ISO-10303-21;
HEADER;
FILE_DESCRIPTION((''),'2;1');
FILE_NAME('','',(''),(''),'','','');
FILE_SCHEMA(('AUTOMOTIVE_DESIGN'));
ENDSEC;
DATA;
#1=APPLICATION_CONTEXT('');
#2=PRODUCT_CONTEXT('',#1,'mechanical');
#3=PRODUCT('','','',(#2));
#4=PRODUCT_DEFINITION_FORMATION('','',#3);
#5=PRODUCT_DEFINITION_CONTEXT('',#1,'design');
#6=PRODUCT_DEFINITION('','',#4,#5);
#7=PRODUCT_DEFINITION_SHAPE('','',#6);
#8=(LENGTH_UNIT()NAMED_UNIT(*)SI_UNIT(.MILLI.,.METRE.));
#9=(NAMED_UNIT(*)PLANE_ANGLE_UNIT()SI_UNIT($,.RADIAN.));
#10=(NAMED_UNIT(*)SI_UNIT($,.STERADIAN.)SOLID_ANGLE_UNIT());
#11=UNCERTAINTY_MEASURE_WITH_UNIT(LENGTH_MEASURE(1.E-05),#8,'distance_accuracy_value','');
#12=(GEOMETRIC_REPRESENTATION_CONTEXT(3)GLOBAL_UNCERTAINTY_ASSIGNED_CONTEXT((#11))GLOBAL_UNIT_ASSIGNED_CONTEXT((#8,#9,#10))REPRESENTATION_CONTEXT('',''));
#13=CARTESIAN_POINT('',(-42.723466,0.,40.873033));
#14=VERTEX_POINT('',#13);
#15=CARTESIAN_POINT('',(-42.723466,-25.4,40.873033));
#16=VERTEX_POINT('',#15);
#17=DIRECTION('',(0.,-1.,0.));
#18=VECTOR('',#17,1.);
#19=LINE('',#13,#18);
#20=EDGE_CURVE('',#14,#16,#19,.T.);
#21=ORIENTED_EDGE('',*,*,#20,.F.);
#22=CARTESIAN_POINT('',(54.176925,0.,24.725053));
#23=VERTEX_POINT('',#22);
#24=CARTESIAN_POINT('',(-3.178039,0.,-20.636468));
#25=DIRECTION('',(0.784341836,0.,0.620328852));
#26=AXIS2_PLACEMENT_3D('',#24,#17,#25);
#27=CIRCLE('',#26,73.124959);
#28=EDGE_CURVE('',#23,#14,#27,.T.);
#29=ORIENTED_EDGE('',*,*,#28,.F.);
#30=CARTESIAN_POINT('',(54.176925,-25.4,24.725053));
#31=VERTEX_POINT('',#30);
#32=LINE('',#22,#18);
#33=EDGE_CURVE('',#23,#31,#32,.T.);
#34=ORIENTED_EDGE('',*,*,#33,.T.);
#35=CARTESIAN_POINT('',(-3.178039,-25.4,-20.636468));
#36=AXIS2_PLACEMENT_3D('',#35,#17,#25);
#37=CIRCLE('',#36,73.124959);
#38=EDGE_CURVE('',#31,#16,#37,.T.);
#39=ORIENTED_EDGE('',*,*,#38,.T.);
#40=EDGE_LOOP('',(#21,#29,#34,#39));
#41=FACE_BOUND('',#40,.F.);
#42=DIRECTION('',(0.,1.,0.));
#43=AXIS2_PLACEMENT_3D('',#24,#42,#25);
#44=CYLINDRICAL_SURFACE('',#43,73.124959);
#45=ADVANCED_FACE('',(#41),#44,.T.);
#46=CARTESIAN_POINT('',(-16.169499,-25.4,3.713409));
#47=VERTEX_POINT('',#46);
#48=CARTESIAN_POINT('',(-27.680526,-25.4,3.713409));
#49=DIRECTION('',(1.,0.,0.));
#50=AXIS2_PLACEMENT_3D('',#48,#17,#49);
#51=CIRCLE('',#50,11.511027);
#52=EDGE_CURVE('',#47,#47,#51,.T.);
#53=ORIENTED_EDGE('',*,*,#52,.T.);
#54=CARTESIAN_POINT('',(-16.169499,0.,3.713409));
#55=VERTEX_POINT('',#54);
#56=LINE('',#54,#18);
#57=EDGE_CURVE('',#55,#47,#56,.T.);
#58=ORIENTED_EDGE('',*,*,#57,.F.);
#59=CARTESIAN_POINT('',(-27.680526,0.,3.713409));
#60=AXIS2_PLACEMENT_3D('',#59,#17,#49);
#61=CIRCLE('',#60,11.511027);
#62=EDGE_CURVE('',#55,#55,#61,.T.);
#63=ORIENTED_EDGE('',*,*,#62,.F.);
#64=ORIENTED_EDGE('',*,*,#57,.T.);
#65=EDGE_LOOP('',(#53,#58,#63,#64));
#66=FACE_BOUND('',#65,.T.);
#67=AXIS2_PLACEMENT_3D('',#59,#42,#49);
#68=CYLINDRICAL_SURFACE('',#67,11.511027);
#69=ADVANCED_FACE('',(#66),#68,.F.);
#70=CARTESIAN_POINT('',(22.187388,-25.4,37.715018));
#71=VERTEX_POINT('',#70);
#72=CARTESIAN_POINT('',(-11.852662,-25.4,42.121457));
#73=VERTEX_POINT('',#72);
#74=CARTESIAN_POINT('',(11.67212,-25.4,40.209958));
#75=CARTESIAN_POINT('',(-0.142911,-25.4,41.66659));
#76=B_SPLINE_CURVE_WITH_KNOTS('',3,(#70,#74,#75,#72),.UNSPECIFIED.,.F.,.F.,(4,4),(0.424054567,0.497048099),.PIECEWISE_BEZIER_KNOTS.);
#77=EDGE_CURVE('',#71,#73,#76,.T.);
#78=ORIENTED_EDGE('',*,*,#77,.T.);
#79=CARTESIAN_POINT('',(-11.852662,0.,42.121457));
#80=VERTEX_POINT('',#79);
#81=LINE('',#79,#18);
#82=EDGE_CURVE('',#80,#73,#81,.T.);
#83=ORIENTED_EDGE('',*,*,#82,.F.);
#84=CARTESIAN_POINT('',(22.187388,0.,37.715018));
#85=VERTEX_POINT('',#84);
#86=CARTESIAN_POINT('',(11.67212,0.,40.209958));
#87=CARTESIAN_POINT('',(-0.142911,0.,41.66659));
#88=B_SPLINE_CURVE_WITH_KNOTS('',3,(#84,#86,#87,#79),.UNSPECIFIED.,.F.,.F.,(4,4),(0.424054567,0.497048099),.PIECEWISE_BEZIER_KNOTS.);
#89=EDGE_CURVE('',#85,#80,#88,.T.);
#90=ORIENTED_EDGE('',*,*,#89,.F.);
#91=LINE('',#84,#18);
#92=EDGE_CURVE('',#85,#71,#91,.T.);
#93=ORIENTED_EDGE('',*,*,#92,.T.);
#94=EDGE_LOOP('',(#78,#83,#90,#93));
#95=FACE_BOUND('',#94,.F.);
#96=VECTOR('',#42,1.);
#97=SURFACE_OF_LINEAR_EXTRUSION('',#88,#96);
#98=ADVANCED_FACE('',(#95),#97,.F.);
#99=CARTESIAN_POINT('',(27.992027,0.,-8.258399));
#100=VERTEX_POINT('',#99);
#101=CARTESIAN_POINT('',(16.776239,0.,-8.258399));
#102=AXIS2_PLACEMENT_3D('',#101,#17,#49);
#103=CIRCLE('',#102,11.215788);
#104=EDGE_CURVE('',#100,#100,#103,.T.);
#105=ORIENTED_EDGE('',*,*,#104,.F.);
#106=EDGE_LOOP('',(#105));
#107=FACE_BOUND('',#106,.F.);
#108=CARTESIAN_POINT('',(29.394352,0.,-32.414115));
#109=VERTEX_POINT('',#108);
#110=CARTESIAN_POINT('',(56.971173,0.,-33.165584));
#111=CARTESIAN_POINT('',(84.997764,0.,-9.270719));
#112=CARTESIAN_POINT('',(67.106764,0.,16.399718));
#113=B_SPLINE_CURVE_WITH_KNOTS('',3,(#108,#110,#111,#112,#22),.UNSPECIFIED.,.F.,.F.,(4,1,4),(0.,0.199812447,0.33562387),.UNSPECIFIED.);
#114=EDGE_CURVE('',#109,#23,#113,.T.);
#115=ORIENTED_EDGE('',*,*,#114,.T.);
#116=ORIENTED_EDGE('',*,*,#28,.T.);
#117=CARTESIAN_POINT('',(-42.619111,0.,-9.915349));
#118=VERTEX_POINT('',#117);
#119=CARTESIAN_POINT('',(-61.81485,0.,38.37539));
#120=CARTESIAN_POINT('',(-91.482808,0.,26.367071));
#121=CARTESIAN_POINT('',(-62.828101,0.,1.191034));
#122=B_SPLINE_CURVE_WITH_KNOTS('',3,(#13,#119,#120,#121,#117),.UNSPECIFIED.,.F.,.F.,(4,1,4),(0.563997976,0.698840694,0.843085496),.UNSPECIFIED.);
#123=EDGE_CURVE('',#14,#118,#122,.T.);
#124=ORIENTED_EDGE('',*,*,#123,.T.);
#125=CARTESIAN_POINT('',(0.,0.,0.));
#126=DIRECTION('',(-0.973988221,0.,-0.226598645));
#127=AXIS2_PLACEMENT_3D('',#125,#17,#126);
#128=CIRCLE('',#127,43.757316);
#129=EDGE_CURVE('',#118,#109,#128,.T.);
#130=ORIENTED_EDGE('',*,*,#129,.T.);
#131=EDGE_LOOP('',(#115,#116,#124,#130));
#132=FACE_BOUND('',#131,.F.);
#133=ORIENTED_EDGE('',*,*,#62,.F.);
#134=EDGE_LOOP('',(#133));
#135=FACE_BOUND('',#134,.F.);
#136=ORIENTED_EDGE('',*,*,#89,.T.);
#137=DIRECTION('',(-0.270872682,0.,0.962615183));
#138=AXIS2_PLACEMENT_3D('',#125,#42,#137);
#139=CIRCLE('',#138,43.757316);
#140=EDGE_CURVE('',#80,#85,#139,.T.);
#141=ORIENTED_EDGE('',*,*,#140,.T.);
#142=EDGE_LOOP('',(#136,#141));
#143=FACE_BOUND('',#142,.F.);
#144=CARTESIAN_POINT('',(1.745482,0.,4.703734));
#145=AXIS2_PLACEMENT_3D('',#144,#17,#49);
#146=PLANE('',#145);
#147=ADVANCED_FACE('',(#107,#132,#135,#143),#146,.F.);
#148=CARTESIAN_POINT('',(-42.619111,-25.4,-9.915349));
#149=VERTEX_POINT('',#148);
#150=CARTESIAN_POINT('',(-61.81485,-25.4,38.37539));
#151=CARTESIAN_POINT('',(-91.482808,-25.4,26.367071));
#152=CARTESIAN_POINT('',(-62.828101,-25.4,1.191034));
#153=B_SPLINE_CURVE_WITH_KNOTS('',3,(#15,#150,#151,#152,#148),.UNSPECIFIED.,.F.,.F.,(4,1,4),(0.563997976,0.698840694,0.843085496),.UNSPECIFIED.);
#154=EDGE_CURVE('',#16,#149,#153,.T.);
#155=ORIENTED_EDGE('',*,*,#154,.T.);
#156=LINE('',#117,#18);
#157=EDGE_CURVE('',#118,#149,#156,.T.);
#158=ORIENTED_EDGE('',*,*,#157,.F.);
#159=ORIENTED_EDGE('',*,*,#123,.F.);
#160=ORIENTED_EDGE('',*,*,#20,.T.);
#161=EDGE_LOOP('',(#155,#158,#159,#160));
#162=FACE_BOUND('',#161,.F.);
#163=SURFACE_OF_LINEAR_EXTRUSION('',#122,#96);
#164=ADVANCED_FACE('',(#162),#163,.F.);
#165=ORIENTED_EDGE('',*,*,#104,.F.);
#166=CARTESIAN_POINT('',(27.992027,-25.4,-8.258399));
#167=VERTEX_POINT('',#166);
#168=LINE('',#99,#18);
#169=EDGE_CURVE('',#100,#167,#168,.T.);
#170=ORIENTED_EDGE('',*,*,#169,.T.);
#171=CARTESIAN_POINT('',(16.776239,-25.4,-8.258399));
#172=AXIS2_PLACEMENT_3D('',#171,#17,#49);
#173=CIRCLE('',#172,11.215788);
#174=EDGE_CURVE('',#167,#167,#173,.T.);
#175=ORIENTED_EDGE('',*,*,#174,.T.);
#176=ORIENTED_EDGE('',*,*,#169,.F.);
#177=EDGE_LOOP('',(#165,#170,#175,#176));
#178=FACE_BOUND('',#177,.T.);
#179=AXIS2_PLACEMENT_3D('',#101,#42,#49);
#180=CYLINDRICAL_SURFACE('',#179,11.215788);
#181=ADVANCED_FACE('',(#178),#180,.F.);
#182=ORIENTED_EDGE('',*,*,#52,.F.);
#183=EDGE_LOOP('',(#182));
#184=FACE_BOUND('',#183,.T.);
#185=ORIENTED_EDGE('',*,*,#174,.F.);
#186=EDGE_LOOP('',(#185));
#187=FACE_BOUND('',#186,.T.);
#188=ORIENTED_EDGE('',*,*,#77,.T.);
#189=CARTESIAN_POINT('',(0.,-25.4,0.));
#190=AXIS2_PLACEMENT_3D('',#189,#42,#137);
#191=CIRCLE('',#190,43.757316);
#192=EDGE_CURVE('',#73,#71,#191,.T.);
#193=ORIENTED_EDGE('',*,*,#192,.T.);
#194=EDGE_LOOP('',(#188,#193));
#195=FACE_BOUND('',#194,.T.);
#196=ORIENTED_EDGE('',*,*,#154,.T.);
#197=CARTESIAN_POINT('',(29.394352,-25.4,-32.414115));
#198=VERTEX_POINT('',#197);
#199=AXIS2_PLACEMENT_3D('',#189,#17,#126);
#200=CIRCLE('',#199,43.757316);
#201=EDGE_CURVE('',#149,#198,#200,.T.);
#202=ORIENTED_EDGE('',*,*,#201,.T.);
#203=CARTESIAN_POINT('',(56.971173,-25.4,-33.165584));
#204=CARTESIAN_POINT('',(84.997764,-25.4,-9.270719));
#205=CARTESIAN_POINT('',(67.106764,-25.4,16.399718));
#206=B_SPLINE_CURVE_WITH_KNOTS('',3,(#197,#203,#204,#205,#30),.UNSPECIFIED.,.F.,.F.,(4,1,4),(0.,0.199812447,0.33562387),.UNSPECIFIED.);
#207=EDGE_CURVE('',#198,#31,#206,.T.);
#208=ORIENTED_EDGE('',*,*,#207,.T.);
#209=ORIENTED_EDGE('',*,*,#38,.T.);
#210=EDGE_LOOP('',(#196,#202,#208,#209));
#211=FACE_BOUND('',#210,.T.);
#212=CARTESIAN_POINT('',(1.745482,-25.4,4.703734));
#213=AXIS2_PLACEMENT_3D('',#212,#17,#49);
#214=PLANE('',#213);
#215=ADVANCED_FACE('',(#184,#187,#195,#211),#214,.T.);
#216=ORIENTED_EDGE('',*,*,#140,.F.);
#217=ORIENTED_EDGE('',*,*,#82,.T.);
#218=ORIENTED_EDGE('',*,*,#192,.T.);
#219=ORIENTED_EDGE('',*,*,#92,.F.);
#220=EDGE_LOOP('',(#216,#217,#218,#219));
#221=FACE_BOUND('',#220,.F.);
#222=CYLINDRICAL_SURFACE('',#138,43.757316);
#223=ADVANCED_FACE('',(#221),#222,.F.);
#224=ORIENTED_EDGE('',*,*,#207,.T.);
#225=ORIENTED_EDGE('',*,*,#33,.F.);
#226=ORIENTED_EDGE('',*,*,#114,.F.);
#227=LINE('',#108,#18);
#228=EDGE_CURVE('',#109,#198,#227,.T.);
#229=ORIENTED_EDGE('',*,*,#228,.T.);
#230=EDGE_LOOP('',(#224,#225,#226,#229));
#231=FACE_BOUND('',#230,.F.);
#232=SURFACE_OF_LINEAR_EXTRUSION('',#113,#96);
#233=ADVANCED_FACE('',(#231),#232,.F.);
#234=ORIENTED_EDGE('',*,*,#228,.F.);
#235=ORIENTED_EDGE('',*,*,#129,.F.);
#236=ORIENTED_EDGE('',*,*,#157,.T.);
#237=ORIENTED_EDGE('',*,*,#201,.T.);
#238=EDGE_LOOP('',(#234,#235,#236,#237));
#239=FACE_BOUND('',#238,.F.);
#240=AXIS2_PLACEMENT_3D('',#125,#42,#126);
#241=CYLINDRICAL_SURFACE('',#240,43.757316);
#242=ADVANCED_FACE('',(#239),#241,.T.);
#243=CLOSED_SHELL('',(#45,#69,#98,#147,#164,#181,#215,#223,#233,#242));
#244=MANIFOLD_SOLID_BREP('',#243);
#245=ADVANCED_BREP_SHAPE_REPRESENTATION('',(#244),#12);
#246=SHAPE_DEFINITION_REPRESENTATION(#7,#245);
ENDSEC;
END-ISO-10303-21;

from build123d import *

# Parameters (mm, degrees)
F0_R     = 11.5110265847
F0_R_2   = 11.2157876958
F1_DEPTH = 25.4
F2_DEPTH = 25.4


with BuildPart() as f1:
    # F0 (on Front) → F1 (new body)
    with BuildSketch(Plane.XZ):
        with BuildLine():
            add(Edge.make_bspline(
                [(-42.6191106401, -9.9153485832), (-20.6350689987, -21.9972569119), (7.738026744, -31.8239785263), (29.3943516136, -32.4141145567)],
                knots=[0.8430854965, 0.8430854965, 0.8430854965, 0.8430854965, 1, 1, 1, 1], degree=3))
            ThreePointArc((29.3943516136, -32.4141145567), (40.0057537744, -17.7268833761), (43.7573162944, 0))
            ThreePointArc((43.7573162944, 0), (37.9839654581, 21.7237450123), (22.1873875452, 37.715017741))
            add(Edge.make_bspline(
                [(22.1873875452, 37.715017741), (11.6721202081, 40.2099582819), (-0.1429108616, 41.6665900381), (-11.8526616126, 42.1214570259)],
                knots=[0.4240545667, 0.4240545667, 0.4240545667, 0.4240545667, 0.4970480989, 0.4970480989, 0.4970480989, 0.4970480989], degree=3))
            ThreePointArc((-11.8526616126, 42.1214570259), (-37.6663082553, 22.2699787089), (-42.6191106402, -9.9153485832))
        make_face()
        with Locations((-27.6805255562, 3.7134094164)):
            Circle(F0_R, mode=Mode.SUBTRACT)
        with Locations((16.7762394994, -8.2583986223)):
            Circle(F0_R_2, mode=Mode.SUBTRACT)
        with BuildLine():
            add(Edge.make_bspline(
                [(-42.7234657978, 40.8730333774), (-61.8148502648, 38.3753901199), (-91.4828084934, 26.3670705011), (-62.8281013178, 1.1910337993), (-42.6191106401, -9.9153485832)],
                knots=[0.5639979758, 0.5639979758, 0.5639979758, 0.5639979758, 0.6988406943, 0.8430854965, 0.8430854965, 0.8430854965, 0.8430854965], degree=3))
            ThreePointArc((-42.6191106402, -9.9153485832), (-37.6663082553, 22.2699787089), (-11.8526616126, 42.1214570259))
            add(Edge.make_bspline(
                [(-11.8526616126, 42.1214570259), (-22.5928785611, 42.5386623307), (-33.2445272732, 42.1131219072), (-42.7234657978, 40.8730333774)],
                knots=[0.4970480989, 0.4970480989, 0.4970480989, 0.4970480989, 0.5639979758, 0.5639979758, 0.5639979758, 0.5639979758], degree=3))
        make_face()
        with BuildLine():
            ThreePointArc((43.7573162944, 0), (40.0057537744, -17.7268833761), (29.3943516136, -32.4141145567))
            add(Edge.make_bspline(
                [(29.3943516136, -32.4141145567), (56.9711731435, -33.1655844432), (84.9977641322, -9.2707192189), (67.106763708, 16.3997179852), (54.1769252073, 24.7250533856)],
                knots=[0, 0, 0, 0, 0.1998124467, 0.3356238703, 0.3356238703, 0.3356238703, 0.3356238703], degree=3))
            add(Edge.make_bspline(
                [(54.1769252073, 24.7250533856), (45.7579380993, 30.1459170261), (34.9264945205, 34.6924303516), (22.1873875452, 37.715017741)],
                knots=[0.3356238703, 0.3356238703, 0.3356238703, 0.3356238703, 0.4240545667, 0.4240545667, 0.4240545667, 0.4240545667], degree=3))
            ThreePointArc((22.1873875452, 37.715017741), (37.9839654581, 21.7237450123), (43.7573162944, 0))
        make_face()
    extrude(amount=F1_DEPTH)

    # F0 (on Front) → F2 (join)
    with BuildSketch(Plane.XZ):
        with BuildLine():
            add(Edge.make_bspline(
                [(-42.6191106401, -9.9153485832), (-20.6350689987, -21.9972569119), (7.738026744, -31.8239785263), (29.3943516136, -32.4141145567)],
                knots=[0.8430854965, 0.8430854965, 0.8430854965, 0.8430854965, 1, 1, 1, 1], degree=3))
            ThreePointArc((29.3943516136, -32.4141145567), (40.0057537744, -17.7268833761), (43.7573162944, 0))
            ThreePointArc((43.7573162944, 0), (37.9839654581, 21.7237450123), (22.1873875452, 37.715017741))
            add(Edge.make_bspline(
                [(22.1873875452, 37.715017741), (11.6721202081, 40.2099582819), (-0.1429108616, 41.6665900381), (-11.8526616126, 42.1214570259)],
                knots=[0.4240545667, 0.4240545667, 0.4240545667, 0.4240545667, 0.4970480989, 0.4970480989, 0.4970480989, 0.4970480989], degree=3))
            ThreePointArc((-11.8526616126, 42.1214570259), (-37.6663082553, 22.2699787089), (-42.6191106402, -9.9153485832))
        make_face()
        with Locations((-27.6805255562, 3.7134094164)):
            Circle(F0_R, mode=Mode.SUBTRACT)
        with Locations((16.7762394994, -8.2583986223)):
            Circle(F0_R_2, mode=Mode.SUBTRACT)
        with BuildLine():
            ThreePointArc((43.7573162944, 0), (40.0057537744, -17.7268833761), (29.3943516136, -32.4141145567))
            add(Edge.make_bspline(
                [(29.3943516136, -32.4141145567), (56.9711731435, -33.1655844432), (84.9977641322, -9.2707192189), (67.106763708, 16.3997179852), (54.1769252073, 24.7250533856)],
                knots=[0, 0, 0, 0, 0.1998124467, 0.3356238703, 0.3356238703, 0.3356238703, 0.3356238703], degree=3))
            add(Edge.make_bspline(
                [(54.1769252073, 24.7250533856), (45.7579380993, 30.1459170261), (34.9264945205, 34.6924303516), (22.1873875452, 37.715017741)],
                knots=[0.3356238703, 0.3356238703, 0.3356238703, 0.3356238703, 0.4240545667, 0.4240545667, 0.4240545667, 0.4240545667], degree=3))
            ThreePointArc((22.1873875452, 37.715017741), (37.9839654581, 21.7237450123), (43.7573162944, 0))
        make_face()
        with BuildLine():
            ThreePointArc((-42.6191106402, -9.9153485832), (-13.0488382782, -41.7663806054), (29.3943516136, -32.4141145567))
            add(Edge.make_bspline(
                [(-42.6191106401, -9.9153485832), (-20.6350689987, -21.9972569119), (7.738026744, -31.8239785263), (29.3943516136, -32.4141145567)],
                knots=[0.8430854965, 0.8430854965, 0.8430854965, 0.8430854965, 1, 1, 1, 1], degree=3))
        make_face()
        with BuildLine():
            add(Edge.make_bspline(
                [(-42.7234657978, 40.8730333774), (-61.8148502648, 38.3753901199), (-91.4828084934, 26.3670705011), (-62.8281013178, 1.1910337993), (-42.6191106401, -9.9153485832)],
                knots=[0.5639979758, 0.5639979758, 0.5639979758, 0.5639979758, 0.6988406943, 0.8430854965, 0.8430854965, 0.8430854965, 0.8430854965], degree=3))
            ThreePointArc((-42.6191106402, -9.9153485832), (-37.6663082553, 22.2699787089), (-11.8526616126, 42.1214570259))
            add(Edge.make_bspline(
                [(-11.8526616126, 42.1214570259), (-22.5928785611, 42.5386623307), (-33.2445272732, 42.1131219072), (-42.7234657978, 40.8730333774)],
                knots=[0.4970480989, 0.4970480989, 0.4970480989, 0.4970480989, 0.5639979758, 0.5639979758, 0.5639979758, 0.5639979758], degree=3))
        make_face()
        with BuildLine():
            add(Edge.make_bspline(
                [(54.1769252073, 24.7250533856), (45.7579380993, 30.1459170261), (34.9264945205, 34.6924303516), (22.1873875452, 37.715017741)],
                knots=[0.3356238703, 0.3356238703, 0.3356238703, 0.3356238703, 0.4240545667, 0.4240545667, 0.4240545667, 0.4240545667], degree=3))
            ThreePointArc((54.1769252073, 24.7250533856), (8.8421199016, 51.4937982895), (-42.7234657978, 40.8730333774))
            add(Edge.make_bspline(
                [(-11.8526616126, 42.1214570259), (-22.5928785611, 42.5386623307), (-33.2445272732, 42.1131219072), (-42.7234657978, 40.8730333774)],
                knots=[0.4970480989, 0.4970480989, 0.4970480989, 0.4970480989, 0.5639979758, 0.5639979758, 0.5639979758, 0.5639979758], degree=3))
            ThreePointArc((-11.8526616126, 42.1214570259), (5.6174564367, 43.3952406661), (22.1873875452, 37.715017741))
        make_face()
    extrude(amount=F2_DEPTH)


solid = f1.part
